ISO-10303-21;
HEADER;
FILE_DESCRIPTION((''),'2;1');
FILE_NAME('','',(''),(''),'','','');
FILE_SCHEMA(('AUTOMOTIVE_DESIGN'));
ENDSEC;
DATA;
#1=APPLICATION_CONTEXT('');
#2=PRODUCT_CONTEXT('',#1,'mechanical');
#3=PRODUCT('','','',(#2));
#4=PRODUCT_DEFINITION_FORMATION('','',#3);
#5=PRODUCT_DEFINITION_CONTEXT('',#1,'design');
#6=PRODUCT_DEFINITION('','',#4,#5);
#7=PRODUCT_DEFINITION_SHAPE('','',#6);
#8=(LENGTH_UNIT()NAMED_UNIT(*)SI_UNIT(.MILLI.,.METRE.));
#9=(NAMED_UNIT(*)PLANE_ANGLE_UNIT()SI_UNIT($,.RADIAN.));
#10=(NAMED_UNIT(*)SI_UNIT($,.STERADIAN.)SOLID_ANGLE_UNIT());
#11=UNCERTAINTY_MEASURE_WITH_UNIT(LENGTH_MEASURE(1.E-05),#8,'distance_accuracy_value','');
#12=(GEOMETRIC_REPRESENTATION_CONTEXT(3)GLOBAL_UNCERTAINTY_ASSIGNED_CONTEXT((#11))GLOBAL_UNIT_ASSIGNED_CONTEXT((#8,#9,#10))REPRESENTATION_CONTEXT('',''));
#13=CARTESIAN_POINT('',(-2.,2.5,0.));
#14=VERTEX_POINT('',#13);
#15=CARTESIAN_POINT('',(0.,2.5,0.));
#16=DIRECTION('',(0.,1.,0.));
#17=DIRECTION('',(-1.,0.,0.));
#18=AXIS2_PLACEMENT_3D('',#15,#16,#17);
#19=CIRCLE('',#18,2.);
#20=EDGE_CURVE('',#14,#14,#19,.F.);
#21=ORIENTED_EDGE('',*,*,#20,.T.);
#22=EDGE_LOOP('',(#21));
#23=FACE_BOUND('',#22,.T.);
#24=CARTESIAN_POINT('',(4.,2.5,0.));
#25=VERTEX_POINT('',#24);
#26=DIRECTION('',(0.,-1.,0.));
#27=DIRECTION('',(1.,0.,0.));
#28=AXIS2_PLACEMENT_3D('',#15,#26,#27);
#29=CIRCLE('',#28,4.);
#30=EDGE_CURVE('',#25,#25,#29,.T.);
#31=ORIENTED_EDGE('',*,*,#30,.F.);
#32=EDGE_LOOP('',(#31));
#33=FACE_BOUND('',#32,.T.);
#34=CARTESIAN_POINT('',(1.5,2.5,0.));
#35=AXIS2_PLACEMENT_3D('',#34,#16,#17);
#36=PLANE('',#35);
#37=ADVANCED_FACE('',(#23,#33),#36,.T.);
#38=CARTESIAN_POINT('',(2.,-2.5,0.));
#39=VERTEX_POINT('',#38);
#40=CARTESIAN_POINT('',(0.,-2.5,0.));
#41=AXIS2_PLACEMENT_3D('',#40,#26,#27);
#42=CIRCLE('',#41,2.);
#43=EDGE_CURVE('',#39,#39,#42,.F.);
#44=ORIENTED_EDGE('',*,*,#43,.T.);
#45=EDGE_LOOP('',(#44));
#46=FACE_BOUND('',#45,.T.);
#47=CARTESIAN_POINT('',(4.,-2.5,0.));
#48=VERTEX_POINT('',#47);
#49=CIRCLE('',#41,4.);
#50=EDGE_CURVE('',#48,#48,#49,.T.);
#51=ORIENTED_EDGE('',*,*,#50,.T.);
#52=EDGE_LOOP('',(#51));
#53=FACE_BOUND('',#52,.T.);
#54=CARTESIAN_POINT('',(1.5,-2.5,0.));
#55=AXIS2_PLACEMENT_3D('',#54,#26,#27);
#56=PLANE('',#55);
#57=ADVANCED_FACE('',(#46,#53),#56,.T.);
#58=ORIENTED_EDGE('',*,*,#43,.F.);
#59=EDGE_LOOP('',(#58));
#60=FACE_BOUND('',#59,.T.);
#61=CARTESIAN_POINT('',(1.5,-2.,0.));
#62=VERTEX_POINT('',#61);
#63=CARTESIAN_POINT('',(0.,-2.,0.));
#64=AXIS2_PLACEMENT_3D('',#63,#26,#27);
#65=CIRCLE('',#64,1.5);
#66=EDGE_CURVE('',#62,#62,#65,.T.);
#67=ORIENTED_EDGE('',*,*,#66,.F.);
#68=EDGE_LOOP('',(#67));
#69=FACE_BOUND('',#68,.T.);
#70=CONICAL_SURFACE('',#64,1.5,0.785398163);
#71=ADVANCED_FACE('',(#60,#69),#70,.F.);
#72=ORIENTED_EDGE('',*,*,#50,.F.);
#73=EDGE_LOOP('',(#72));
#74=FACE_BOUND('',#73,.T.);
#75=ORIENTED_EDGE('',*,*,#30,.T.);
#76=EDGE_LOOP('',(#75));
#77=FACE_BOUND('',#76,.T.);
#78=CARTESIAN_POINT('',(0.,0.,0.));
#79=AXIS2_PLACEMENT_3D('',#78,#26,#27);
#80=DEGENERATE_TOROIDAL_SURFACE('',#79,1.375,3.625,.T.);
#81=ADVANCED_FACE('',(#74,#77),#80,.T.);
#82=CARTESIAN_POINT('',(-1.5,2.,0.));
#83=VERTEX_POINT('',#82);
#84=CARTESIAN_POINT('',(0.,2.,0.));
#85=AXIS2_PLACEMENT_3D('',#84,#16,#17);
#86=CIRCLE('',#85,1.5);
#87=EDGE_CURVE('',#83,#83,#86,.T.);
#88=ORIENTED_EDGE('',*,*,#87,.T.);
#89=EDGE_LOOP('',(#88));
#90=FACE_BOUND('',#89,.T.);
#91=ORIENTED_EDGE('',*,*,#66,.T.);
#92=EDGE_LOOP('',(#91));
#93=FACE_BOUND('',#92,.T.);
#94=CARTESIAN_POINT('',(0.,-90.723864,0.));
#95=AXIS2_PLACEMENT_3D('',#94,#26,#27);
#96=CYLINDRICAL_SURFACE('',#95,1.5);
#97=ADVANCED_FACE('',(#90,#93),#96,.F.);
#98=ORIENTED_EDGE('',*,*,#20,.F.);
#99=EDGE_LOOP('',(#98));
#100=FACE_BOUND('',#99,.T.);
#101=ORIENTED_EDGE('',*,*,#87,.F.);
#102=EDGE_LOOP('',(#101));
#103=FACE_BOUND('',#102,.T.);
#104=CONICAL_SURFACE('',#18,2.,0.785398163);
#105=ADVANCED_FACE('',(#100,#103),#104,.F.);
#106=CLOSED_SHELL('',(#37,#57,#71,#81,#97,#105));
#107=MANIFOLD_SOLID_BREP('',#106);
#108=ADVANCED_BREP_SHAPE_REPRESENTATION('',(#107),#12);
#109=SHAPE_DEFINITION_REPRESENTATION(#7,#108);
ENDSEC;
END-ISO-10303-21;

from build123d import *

# Parameters (mm, degrees)
CHAMFER1_SIZE = 0.5


with BuildPart() as part:
    # Sketch1 → Revolve1 (revolve)
    with BuildSketch(Plane.XY):
        with BuildLine():
            Line((1.5, 2.5), (1.5, -2.5))
            Line((1.5, -2.5), (4, -2.5))
            ThreePointArc((4, -2.5), (5, 0), (4, 2.5))
            Line((4, 2.5), (1.5, 2.5))
        make_face()
    revolve(axis=Axis((0, -90.723864171, 0), (0, 1, 0)))

    # Chamfer1
    chamfer1_edges = [part.edges().sort_by_distance(p)[0] for p in [
        (-1.5, 2.5, 0),
        (-1.5, -2.5, 0),
    ]]
    chamfer(chamfer1_edges, length=CHAMFER1_SIZE)


solid = part.part
